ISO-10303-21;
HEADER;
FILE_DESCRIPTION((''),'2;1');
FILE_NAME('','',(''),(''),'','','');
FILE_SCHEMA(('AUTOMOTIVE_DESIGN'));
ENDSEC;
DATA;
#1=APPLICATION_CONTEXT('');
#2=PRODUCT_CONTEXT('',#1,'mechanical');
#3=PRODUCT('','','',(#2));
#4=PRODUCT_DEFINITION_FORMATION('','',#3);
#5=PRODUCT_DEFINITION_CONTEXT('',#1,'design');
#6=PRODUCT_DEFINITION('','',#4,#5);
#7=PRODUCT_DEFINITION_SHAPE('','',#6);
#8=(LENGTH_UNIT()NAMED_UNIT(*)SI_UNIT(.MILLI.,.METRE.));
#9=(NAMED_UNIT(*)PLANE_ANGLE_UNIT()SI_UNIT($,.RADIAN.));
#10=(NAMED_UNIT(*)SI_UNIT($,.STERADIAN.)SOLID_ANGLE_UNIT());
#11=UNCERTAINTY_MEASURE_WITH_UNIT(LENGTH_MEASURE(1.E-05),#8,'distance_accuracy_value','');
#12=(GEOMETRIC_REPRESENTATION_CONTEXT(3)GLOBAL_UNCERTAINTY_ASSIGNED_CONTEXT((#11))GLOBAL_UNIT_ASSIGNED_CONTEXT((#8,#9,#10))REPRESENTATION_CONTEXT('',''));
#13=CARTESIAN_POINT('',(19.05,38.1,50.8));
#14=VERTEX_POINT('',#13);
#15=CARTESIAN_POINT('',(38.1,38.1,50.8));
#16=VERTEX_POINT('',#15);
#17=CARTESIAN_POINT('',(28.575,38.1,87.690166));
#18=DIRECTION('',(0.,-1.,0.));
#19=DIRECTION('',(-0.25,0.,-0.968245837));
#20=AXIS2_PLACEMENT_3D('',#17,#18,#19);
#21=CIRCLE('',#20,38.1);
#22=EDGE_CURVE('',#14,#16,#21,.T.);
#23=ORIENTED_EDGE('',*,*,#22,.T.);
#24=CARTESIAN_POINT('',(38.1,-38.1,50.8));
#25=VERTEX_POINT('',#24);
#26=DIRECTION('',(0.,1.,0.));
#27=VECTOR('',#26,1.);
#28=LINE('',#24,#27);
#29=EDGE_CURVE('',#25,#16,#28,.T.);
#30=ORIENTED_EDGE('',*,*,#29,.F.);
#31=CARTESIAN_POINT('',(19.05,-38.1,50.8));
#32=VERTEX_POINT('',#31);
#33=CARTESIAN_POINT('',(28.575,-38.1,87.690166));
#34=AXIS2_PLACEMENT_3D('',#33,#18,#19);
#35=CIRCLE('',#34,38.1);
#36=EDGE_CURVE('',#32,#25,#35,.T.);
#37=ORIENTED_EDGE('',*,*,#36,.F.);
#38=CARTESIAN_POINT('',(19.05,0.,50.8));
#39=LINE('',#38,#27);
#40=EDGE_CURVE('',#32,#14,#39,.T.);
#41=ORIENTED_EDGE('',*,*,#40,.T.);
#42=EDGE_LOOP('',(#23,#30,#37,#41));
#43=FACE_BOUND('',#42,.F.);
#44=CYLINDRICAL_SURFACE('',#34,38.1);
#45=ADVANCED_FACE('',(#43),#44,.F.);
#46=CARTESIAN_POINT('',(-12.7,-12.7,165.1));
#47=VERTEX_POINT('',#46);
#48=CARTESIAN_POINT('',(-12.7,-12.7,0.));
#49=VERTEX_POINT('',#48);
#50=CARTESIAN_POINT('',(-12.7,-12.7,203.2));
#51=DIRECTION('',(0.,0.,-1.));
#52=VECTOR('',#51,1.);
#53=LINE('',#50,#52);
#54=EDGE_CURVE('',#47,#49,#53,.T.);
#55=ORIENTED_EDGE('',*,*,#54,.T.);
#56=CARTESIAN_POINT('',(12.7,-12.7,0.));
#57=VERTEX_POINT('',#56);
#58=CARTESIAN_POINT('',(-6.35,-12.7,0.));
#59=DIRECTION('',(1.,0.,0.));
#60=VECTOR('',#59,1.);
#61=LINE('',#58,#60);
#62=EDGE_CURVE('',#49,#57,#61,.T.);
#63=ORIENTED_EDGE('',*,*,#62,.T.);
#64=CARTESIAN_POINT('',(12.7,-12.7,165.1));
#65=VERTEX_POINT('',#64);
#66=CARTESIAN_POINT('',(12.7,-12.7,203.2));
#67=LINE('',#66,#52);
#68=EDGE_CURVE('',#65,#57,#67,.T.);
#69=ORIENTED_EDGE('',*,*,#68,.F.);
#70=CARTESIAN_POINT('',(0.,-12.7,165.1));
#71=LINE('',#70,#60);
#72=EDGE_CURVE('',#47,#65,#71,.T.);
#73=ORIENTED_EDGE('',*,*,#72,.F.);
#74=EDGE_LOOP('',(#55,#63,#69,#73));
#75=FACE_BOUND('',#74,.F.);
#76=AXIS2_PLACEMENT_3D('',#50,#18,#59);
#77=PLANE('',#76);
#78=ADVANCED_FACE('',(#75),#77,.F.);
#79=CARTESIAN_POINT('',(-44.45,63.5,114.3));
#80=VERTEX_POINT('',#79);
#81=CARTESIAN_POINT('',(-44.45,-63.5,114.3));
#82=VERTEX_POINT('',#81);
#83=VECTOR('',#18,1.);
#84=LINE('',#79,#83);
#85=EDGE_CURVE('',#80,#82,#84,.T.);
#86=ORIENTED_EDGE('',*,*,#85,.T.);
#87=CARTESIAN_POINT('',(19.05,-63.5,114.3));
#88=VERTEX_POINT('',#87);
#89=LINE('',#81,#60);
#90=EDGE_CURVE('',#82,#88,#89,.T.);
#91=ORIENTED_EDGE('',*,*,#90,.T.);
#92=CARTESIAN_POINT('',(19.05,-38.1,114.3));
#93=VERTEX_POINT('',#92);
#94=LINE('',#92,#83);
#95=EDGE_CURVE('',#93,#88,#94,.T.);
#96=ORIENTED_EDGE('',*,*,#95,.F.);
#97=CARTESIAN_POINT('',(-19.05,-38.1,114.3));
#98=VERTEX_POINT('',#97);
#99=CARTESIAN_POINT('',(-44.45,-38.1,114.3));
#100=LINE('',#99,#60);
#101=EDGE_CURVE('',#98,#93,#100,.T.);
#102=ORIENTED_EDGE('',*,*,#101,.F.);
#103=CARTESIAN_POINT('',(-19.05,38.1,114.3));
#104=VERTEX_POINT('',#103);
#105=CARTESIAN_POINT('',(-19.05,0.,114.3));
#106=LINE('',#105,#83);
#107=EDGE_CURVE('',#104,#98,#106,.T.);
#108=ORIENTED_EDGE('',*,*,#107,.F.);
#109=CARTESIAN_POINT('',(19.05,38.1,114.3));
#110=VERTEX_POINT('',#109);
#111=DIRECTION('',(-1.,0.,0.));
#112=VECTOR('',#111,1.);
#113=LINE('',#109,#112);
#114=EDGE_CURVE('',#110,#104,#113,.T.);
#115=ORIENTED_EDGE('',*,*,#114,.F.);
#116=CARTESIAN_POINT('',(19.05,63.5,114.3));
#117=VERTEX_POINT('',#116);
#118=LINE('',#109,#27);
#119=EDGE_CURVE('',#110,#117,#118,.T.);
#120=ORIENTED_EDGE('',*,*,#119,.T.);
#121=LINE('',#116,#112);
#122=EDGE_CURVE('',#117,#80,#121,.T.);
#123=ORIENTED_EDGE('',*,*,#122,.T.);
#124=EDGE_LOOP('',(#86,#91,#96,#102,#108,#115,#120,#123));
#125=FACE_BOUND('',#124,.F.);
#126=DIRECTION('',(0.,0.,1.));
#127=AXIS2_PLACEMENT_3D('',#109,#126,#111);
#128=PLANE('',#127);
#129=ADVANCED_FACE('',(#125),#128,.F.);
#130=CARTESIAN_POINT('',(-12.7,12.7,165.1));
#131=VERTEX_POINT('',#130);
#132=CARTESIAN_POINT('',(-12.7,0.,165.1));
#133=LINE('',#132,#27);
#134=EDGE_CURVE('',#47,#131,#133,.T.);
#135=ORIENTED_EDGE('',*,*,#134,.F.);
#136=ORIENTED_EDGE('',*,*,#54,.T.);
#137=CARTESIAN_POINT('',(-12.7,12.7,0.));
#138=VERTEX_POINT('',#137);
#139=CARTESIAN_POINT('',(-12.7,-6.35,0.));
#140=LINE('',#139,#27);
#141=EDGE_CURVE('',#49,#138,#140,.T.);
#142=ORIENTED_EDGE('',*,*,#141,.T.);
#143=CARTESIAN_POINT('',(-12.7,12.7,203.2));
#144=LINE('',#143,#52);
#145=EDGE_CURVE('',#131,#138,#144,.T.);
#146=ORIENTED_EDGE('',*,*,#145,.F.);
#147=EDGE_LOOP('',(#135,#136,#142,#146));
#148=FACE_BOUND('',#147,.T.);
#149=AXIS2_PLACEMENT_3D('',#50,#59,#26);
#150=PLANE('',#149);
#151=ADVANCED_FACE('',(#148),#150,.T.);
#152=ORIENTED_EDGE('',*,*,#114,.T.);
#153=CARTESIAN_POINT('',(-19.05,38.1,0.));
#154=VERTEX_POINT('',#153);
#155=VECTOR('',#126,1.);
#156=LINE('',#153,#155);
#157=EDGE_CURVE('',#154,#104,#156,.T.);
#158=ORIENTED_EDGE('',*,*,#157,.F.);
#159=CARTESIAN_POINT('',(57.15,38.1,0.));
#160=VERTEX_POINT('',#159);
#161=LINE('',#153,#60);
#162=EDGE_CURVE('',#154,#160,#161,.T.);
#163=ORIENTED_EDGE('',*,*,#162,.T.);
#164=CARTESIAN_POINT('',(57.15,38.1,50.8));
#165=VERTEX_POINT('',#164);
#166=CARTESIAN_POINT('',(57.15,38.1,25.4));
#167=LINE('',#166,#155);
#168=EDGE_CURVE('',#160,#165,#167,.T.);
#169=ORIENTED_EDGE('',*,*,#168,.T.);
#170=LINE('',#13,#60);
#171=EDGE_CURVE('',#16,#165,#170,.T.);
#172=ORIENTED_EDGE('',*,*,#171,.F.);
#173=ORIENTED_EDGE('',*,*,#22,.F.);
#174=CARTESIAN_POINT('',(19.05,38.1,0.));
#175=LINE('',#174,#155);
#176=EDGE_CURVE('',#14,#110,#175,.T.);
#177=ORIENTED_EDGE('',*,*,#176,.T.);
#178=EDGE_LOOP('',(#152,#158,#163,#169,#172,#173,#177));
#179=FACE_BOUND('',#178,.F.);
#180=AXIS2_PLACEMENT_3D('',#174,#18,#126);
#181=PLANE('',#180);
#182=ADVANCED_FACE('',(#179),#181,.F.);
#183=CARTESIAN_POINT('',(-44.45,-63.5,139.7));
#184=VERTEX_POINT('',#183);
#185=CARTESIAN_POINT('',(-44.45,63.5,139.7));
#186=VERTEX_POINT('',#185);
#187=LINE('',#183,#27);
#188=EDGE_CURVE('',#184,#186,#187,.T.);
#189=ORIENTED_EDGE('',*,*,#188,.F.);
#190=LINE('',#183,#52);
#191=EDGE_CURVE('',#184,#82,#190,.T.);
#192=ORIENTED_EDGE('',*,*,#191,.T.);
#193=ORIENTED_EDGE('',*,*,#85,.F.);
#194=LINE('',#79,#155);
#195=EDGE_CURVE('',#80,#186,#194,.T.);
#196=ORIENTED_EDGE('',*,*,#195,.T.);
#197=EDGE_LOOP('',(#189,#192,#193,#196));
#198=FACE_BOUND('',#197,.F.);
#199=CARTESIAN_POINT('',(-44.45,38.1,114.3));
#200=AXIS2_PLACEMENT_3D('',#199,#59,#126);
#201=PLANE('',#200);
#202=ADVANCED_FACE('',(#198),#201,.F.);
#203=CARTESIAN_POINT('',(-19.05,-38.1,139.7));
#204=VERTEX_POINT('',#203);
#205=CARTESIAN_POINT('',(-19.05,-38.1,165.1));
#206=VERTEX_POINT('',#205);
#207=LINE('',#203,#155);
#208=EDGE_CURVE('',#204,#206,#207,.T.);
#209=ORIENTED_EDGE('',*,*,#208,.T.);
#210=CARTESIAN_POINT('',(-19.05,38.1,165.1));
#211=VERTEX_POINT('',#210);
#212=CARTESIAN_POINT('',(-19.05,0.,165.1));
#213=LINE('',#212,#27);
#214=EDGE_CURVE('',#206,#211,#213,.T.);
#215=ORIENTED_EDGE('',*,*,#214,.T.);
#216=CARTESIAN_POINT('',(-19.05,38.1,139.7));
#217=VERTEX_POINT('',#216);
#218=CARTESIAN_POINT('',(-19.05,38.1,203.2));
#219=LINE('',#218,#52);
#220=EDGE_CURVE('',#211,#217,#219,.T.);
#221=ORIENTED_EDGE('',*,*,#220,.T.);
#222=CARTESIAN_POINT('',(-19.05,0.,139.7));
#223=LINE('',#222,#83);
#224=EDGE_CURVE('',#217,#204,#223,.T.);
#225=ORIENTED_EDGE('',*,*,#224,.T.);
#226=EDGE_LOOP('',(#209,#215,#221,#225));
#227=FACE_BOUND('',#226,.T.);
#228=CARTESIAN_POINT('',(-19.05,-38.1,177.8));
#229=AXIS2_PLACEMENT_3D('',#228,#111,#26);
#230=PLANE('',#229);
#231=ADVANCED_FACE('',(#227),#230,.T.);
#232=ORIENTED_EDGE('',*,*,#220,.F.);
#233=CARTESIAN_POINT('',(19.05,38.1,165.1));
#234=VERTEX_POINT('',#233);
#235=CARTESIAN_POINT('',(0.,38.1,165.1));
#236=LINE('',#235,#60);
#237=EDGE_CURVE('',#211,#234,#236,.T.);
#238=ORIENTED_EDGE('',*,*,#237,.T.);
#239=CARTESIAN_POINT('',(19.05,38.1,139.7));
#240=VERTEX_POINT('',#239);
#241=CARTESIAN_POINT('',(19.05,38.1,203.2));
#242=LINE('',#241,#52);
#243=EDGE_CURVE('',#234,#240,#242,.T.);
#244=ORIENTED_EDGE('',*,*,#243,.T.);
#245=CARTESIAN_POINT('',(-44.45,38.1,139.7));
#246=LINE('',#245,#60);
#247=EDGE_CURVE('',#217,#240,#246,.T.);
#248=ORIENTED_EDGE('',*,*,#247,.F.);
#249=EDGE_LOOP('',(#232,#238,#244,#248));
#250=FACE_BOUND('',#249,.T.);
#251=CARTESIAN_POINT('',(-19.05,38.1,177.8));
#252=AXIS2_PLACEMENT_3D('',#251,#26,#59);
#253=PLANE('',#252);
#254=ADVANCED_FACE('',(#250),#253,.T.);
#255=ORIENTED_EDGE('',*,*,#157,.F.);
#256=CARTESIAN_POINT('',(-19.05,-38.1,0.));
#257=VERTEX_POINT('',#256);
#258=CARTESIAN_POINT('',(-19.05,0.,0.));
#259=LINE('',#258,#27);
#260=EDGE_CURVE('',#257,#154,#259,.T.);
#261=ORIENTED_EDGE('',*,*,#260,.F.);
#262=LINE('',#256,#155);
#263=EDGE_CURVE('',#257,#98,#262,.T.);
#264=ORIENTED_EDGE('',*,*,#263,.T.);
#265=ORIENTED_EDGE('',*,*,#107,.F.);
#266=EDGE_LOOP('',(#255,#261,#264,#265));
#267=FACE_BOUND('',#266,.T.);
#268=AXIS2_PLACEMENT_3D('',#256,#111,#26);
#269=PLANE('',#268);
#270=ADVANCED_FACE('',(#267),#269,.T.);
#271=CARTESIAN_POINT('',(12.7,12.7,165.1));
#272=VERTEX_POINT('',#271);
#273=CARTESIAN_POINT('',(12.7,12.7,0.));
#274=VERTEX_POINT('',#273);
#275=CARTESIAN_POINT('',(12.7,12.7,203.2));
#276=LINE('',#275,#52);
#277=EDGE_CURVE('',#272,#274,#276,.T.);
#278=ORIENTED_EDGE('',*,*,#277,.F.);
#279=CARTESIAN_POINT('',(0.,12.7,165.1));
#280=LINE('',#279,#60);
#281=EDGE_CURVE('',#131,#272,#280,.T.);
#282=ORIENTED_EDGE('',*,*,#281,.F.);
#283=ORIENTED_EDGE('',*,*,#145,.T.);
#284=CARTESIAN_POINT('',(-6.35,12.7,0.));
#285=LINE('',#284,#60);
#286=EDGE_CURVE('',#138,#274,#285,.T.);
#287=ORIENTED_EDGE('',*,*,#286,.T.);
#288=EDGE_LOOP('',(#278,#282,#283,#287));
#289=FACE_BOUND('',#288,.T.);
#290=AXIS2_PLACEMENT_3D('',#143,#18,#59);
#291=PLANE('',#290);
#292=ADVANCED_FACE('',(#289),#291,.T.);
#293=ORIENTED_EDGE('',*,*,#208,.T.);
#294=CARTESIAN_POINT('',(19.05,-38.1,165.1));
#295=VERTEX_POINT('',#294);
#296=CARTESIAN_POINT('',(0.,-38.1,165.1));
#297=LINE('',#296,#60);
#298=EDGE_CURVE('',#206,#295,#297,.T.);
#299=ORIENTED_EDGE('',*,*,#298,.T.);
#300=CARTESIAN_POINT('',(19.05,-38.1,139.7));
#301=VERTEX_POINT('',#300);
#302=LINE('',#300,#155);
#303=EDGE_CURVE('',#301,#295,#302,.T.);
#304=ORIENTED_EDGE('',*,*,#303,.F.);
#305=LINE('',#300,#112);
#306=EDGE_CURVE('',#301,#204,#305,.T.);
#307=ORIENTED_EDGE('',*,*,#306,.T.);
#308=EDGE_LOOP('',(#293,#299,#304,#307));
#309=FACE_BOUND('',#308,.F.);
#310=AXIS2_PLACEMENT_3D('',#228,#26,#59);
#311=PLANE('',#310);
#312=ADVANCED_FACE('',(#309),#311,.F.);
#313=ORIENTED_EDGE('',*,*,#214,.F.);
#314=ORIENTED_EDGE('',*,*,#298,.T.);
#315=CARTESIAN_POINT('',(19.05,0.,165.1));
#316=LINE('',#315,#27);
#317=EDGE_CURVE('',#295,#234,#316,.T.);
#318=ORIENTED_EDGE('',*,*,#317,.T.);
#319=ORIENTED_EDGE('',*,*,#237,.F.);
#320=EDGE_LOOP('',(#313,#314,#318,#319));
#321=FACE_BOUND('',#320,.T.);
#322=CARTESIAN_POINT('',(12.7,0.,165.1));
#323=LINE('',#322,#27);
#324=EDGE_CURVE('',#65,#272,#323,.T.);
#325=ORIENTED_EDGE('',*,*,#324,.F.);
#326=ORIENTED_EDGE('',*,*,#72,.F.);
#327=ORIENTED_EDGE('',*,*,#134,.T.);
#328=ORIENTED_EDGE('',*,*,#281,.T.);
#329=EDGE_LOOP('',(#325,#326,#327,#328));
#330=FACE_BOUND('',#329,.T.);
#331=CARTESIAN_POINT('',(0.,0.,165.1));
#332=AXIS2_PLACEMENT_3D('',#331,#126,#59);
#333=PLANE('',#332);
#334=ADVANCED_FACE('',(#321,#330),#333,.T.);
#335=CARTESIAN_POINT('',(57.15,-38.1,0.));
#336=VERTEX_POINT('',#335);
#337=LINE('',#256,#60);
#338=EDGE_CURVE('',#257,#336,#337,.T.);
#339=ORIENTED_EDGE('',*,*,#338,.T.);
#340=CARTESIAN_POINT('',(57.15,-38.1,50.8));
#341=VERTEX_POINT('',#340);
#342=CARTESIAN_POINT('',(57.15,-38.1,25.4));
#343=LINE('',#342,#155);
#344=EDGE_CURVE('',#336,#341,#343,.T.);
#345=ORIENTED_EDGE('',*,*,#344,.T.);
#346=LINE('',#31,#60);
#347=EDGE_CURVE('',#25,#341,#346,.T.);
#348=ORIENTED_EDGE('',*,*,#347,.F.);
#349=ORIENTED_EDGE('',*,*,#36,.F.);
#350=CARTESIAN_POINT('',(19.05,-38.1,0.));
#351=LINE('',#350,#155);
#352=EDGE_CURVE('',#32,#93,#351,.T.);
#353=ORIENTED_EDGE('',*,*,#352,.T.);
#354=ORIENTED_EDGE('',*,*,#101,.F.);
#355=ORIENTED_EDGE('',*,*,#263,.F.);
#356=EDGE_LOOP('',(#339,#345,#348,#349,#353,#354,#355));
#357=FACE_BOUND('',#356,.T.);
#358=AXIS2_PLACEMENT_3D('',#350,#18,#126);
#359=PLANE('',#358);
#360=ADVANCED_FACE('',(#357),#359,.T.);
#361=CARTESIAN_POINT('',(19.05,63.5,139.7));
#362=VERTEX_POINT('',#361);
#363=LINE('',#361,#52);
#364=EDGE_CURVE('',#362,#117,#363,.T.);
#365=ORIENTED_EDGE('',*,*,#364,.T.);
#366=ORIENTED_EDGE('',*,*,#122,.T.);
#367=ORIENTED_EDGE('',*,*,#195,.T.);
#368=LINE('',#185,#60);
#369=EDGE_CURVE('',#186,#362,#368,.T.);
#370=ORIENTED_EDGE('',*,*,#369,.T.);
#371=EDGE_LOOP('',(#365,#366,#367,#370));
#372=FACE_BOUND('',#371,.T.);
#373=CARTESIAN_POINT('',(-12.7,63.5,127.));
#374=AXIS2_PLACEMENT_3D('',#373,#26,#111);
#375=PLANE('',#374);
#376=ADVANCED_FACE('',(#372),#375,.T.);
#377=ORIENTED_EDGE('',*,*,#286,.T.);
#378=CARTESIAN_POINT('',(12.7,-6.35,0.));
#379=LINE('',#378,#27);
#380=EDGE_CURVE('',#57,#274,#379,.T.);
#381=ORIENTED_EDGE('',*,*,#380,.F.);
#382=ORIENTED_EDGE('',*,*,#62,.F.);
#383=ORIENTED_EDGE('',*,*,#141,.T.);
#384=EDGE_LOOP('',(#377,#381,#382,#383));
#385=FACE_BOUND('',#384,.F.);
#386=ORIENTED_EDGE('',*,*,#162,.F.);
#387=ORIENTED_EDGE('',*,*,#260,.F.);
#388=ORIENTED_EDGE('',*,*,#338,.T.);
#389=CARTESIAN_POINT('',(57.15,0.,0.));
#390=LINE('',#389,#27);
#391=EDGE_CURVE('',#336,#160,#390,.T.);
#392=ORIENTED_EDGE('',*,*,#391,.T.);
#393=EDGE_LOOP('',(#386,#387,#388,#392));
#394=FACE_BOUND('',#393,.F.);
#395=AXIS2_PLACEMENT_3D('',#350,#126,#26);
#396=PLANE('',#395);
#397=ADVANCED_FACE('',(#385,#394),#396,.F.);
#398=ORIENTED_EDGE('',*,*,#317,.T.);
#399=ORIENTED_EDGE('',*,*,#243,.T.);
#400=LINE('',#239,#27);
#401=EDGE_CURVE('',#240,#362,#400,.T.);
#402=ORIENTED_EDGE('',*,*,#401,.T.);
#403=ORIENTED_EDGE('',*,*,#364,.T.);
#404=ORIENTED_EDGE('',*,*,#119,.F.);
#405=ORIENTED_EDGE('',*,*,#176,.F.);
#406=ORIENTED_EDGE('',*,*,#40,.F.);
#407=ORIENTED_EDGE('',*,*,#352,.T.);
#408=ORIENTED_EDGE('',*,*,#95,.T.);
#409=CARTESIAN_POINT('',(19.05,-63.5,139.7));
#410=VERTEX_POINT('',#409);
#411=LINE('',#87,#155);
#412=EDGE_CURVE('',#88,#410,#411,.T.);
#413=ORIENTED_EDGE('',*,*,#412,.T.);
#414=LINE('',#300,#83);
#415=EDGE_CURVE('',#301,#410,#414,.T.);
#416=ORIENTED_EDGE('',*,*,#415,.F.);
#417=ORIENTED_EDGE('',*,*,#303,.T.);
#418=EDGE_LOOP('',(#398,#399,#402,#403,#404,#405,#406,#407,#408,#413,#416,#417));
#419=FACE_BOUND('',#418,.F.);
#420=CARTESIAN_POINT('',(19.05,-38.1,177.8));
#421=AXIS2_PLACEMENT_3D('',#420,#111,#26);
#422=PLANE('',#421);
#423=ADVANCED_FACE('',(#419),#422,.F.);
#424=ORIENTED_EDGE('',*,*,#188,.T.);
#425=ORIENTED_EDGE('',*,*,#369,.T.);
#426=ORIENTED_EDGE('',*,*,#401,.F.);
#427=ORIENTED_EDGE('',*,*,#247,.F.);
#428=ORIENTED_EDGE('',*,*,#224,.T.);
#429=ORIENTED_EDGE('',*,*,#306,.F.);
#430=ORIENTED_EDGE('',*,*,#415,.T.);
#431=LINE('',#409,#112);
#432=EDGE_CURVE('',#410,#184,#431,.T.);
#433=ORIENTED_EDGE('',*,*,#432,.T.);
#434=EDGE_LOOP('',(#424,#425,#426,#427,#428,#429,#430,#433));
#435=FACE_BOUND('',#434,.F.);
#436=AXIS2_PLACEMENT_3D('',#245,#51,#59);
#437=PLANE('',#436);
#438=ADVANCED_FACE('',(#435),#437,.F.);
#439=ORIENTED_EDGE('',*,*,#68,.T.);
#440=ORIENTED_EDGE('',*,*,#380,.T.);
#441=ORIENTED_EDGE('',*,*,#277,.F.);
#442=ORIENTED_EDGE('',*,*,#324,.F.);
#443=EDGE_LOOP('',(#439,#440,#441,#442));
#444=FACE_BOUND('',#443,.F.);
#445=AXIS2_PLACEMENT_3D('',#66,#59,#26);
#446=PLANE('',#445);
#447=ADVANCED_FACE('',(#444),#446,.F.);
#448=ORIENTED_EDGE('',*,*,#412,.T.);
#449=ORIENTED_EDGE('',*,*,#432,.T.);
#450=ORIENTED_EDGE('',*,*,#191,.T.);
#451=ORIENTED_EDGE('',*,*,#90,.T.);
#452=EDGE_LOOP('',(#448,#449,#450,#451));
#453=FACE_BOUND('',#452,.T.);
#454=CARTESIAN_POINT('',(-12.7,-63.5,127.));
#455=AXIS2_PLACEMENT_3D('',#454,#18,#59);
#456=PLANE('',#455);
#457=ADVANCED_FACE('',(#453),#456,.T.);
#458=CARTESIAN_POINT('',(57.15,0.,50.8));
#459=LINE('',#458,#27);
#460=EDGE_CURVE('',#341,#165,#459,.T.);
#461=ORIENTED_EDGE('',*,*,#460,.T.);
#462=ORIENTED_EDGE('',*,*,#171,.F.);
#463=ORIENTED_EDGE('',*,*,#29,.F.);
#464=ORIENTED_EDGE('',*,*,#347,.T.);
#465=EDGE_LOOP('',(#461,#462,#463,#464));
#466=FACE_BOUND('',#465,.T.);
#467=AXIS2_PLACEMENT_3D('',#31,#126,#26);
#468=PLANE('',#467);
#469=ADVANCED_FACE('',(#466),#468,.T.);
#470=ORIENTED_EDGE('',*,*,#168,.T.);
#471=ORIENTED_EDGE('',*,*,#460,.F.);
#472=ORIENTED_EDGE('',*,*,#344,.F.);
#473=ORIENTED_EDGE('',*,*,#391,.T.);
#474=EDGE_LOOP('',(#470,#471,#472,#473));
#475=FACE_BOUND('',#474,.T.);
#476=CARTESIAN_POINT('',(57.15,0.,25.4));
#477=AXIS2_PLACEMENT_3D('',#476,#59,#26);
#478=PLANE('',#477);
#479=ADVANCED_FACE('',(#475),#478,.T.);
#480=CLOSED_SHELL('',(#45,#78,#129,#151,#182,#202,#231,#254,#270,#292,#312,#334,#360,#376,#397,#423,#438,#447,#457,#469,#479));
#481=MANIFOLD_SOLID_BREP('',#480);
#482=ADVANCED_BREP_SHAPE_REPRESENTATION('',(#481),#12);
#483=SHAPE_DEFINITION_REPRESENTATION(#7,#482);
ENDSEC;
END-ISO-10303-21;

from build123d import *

# Parameters (mm, degrees)
F0_W      = 38.1
F0_H      = 76.2
F1_DEPTH  = 177.8
F2_W      = 76.2
F2_H      = 25.4
F3_DEPTH  = 25.4
F5_DEPTH  = 25.4
F7_DEPTH  = 25.4
F9_W      = 38.1
F9_H      = 76.2
F10_DEPTH = 25.4
F11_W     = 25.4
F11_H     = 25.4
F12_DEPTH = 228.6
F13_W     = 76.2
F13_H     = 50.8
F14_DEPTH = 38.1
F16_DEPTH = 228.6
F17_W     = 38.1
F17_H     = 76.2
F17_W_2   = 25.4
F17_H_2   = 25.4
F18_DEPTH = 38.1


with BuildPart() as f1:
    # F0 (on Top) → F1 (new body)
    with BuildSketch(Plane.XY):
        Rectangle(F0_W, F0_H)
    extrude(amount=F1_DEPTH)

    # F2 (on face) → F3 (join)
    with BuildSketch(Plane(origin=(-19.05, 0, 0), x_dir=(0, -1, 0), z_dir=(-1, 0, 0))):
        with Locations((0, 127)):
            Rectangle(F2_W, F2_H)
    extrude(amount=F3_DEPTH)

    # F4 (on face) → F5 (join)
    with BuildSketch(Plane.XZ.offset(38.1)):
        Polygon((-44.45, 139.7), (-44.45, 114.3), (-19.05, 114.3), (19.05, 114.3), (19.05, 139.7), (-19.05, 139.7), align=None)
    extrude(amount=F5_DEPTH)

    # F6 (on face) → F7 (join)
    with BuildSketch(Plane(origin=(0, 38.1, 0), x_dir=(-1, 0, 0), z_dir=(0, 1, 0))):
        Polygon((44.45, 114.3), (44.45, 139.7), (19.05, 139.7), (-19.05, 139.7), (-19.05, 114.3), (19.05, 114.3), align=None)
    extrude(amount=F7_DEPTH)

    # F9 (on face) → F10 (join)
    with BuildSketch(Plane.XY.offset(177.8)):
        Rectangle(F9_W, F9_H)
    extrude(amount=F10_DEPTH)

    # F11 (on face) → F12 (cut)
    with BuildSketch(Plane.XY.offset(203.2)):
        Rectangle(F11_W, F11_H)
    extrude(amount=-F12_DEPTH, mode=Mode.SUBTRACT)

    # F13 (on face) → F14 (join)
    with BuildSketch(Plane.YZ.offset(19.05)):
        with Locations((0, 25.4)):
            Rectangle(F13_W, F13_H)
    extrude(amount=F14_DEPTH)

    # F15 (on face) → F16 (cut)
    with BuildSketch(Plane.XZ.offset(38.1)):
        with BuildLine():
            Line((38.1, 50.8), (19.05, 50.8))
            ThreePointArc((19.05, 50.8), (28.575, 49.5901663726), (38.1, 50.8))
        make_face()
    extrude(amount=-F16_DEPTH, mode=Mode.SUBTRACT)

    # F17 (on face) → F18 (cut)
    with BuildSketch(Plane.XY.offset(203.2)):
        Rectangle(F17_W, F17_H)
        Rectangle(F17_W_2, F17_H_2, mode=Mode.SUBTRACT)
    extrude(amount=-F18_DEPTH, mode=Mode.SUBTRACT)


solid = f1.part
